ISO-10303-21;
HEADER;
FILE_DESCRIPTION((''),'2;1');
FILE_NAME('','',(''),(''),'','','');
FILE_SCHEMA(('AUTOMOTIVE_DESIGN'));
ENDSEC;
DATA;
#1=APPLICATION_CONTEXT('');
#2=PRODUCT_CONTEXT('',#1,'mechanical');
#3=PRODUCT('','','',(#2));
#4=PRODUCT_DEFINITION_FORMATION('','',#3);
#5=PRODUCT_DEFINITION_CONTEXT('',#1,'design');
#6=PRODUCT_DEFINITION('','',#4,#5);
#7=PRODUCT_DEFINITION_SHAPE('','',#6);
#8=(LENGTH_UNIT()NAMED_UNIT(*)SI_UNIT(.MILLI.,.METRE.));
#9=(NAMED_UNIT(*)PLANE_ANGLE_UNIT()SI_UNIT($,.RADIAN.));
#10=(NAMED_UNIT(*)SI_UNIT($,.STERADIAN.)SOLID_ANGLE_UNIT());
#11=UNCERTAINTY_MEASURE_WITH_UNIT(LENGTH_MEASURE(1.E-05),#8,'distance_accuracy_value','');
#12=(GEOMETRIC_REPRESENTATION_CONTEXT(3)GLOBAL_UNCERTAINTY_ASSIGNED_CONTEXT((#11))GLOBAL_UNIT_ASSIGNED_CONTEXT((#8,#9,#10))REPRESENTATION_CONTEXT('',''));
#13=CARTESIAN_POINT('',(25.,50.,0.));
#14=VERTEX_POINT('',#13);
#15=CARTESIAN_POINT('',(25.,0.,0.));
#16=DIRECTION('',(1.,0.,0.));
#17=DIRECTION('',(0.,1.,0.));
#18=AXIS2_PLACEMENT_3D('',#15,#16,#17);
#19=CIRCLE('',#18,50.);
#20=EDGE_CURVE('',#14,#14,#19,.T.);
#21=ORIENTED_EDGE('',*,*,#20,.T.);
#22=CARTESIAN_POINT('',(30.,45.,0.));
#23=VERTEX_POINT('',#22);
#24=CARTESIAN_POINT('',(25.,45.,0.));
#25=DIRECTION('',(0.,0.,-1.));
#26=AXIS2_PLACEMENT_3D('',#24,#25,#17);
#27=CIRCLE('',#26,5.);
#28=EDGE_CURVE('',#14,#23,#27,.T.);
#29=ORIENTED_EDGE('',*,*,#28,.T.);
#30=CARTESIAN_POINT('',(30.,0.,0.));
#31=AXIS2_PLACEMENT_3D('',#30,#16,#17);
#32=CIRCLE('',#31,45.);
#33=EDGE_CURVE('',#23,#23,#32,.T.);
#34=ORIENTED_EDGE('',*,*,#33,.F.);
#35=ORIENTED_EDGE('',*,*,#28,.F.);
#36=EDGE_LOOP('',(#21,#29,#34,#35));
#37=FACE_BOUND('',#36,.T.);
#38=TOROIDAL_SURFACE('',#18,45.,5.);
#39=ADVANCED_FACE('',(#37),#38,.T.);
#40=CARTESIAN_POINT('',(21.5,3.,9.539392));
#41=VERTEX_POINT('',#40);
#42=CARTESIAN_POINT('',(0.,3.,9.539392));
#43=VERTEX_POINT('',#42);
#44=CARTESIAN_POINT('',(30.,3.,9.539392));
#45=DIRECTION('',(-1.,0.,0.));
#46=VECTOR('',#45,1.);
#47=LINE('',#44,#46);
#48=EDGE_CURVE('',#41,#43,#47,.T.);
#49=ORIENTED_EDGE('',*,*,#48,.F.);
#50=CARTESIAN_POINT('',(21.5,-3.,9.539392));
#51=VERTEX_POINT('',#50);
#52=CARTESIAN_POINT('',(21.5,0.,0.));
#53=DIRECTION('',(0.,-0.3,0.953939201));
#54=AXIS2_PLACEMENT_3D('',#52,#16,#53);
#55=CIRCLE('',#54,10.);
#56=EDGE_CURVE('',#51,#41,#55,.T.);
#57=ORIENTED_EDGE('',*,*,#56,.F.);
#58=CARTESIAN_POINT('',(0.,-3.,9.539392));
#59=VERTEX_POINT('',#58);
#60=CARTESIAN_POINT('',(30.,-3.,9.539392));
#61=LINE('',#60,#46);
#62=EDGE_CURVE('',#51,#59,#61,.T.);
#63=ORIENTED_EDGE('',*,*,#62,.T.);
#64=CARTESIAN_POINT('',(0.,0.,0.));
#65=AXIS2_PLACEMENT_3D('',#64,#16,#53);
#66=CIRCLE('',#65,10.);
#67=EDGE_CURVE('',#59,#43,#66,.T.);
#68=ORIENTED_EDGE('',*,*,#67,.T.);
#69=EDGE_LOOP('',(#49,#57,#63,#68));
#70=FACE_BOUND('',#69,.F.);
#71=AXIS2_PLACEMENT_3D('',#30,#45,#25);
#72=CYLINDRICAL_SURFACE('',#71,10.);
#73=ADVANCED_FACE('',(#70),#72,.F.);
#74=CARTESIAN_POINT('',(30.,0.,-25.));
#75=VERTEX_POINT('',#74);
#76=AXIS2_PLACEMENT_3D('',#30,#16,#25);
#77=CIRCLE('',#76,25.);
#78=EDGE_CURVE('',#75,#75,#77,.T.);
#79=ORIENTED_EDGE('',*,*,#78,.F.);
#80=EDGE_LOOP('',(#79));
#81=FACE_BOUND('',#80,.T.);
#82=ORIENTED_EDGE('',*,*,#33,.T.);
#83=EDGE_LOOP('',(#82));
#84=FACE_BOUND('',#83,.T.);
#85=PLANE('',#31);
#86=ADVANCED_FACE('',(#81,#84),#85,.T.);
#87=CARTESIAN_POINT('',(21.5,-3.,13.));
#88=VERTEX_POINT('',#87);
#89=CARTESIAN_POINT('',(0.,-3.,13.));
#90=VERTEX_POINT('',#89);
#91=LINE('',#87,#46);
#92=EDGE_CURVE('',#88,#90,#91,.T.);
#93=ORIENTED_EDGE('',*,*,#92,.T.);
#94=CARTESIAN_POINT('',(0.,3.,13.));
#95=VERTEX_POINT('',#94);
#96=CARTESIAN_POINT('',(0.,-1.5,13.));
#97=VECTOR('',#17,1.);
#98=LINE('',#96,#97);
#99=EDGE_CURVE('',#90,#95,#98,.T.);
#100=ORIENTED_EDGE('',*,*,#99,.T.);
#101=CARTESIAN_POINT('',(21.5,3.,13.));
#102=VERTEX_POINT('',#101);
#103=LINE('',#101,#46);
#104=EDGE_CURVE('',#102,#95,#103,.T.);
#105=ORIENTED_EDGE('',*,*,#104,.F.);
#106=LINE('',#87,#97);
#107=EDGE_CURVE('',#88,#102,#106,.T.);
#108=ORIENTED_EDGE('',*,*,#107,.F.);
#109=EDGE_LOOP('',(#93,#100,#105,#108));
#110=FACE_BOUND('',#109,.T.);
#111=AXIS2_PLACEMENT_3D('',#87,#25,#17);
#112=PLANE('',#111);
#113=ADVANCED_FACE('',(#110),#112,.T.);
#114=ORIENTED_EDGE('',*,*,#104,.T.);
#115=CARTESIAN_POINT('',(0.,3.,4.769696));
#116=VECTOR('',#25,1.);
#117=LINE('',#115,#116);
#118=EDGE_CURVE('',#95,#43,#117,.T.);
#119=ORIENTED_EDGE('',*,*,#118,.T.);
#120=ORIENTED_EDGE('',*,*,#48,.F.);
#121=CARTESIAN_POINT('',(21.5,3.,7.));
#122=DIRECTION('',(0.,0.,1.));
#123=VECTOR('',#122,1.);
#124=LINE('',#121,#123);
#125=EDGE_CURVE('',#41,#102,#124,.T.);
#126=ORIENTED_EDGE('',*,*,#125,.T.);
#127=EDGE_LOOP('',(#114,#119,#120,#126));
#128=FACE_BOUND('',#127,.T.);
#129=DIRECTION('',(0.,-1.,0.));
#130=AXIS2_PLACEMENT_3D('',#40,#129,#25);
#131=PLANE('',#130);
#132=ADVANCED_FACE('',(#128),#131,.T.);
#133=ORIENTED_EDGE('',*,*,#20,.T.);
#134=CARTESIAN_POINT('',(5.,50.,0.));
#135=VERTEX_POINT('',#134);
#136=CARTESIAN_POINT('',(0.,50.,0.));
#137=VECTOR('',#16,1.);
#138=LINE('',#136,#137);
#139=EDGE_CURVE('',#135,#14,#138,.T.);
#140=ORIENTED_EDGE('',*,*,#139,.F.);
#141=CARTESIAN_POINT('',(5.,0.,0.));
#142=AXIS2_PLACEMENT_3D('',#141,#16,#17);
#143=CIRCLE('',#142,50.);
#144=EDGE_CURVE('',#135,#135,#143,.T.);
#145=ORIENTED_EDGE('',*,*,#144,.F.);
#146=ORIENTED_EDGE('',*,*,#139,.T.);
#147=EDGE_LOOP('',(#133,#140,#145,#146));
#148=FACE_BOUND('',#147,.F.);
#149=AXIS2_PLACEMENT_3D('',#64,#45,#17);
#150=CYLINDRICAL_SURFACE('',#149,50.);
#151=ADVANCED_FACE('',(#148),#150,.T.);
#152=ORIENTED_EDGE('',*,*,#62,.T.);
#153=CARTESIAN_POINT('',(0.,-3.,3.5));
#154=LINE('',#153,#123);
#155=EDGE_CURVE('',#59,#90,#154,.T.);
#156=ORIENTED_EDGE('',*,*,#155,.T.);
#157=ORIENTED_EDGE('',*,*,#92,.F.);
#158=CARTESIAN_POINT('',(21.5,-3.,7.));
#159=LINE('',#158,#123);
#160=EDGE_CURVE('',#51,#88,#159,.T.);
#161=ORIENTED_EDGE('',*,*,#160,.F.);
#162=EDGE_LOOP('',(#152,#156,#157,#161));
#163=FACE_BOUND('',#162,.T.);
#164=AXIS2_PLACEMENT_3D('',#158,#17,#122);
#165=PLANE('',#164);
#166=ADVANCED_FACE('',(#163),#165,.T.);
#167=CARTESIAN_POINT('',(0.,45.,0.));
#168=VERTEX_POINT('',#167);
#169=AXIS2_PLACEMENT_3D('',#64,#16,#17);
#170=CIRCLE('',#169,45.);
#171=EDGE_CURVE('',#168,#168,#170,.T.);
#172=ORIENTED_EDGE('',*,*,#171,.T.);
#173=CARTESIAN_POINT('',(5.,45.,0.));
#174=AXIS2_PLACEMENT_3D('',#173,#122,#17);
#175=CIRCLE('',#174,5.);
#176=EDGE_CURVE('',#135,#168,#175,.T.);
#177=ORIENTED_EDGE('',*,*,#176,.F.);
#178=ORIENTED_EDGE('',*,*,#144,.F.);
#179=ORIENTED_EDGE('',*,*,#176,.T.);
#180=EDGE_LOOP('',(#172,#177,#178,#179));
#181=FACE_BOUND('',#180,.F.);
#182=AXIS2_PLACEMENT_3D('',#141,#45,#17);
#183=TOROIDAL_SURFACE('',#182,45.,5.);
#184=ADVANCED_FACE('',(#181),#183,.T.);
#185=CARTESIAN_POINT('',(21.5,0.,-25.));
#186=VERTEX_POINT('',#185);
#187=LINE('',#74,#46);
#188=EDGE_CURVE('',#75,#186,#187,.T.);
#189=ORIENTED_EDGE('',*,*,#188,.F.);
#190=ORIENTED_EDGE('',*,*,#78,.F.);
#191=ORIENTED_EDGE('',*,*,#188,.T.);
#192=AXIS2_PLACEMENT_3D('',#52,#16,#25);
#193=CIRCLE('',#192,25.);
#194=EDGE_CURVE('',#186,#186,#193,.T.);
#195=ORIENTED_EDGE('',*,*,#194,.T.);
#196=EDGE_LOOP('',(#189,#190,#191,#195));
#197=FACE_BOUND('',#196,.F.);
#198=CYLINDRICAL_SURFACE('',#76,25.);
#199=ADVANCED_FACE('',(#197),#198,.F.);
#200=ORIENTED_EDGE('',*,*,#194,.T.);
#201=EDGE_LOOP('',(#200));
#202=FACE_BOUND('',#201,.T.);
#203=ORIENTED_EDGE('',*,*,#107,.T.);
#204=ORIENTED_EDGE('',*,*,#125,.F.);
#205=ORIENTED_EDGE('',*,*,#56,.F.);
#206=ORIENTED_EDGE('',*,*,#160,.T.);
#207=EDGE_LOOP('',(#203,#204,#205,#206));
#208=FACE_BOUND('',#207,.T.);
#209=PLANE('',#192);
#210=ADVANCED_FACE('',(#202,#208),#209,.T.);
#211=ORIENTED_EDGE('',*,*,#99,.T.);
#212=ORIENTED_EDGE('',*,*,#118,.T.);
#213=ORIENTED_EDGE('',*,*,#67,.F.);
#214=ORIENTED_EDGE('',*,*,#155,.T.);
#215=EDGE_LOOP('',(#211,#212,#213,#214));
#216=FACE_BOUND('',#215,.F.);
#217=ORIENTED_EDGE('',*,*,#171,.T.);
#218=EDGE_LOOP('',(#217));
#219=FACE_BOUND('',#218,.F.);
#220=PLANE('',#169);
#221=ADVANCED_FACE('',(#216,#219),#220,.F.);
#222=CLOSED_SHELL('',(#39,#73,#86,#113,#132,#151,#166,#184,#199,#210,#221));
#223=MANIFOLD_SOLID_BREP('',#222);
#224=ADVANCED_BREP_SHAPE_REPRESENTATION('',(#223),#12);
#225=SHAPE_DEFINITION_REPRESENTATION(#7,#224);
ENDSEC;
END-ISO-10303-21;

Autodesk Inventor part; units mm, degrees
ref_plane "YZ Plane" through (0, 0, 0) normal (1, 0, 0) x (0, 1, 0)
ref_plane "XZ Plane" through (0, 0, 0) normal (0, 1, 0) x (-1, 0, 0)
ref_plane "XY Plane" through (0, 0, 0) normal (0, 0, 1) x (1, 0, 0)
sketch "Sketch1" plane through (0, 0, 0) normal (1, 0, 0) x (0, 1, 0)
  circle A0 centre (0, 0) radius 50
  dimension "d0" = 100
extrude "Extrusion1" add sketch "Sketch1" along normal blind 30
fillet "Fillet1" radius 5 2 edges at (30, -50, 0) (0, -50, 0)
sketch "Sketch2" plane through (30, 0, 0) normal (1, 0, 0) x (0, 0, -1)
  circle A0 centre (0, 0) radius 50 projected
hole "Hole1" at (30, 0, 0) direction (-1, 0, 0) diameter 20 end through all
sketch "Sketch3" plane through (30, 0, 0) normal (1, 0, 0) x (0, 0, -1)
  circle A0 centre (0, 0) radius 25
  dimension "d11" = 50
extrude "Extrusion2" cut sketch "Sketch3" against normal blind 8.5
sketch "Sketch4" plane through (21.5, 0, 0) normal (1, 0, 0) x (0, 0, -1)
  line L0 (-7, -3) -> (-13, -3)
  line L1 (-13, -3) -> (-13, 3)
  line L2 (-13, 3) -> (-7, 3)
  line L3 (-7, 3) -> (-7, -3)
  circle A0 centre (0, 0) radius 10 projected
  line L4 (-7, -3) -> (-13, 3) construction
  line L5 (-13, -3) -> (-7, 3) construction
  point P0 (-10, 0)
  dimension "d14" = 6
  dimension "d15" = 6
extrude "Extrusion3" cut sketch "Sketch4" against normal blind 28 contours L0 A0 L2 L3 | L0 L1 L2 A0 picked at (-7.9828, 0.338)
properties part number "100mm Traction Wheel StandIn" material "Rubber"
